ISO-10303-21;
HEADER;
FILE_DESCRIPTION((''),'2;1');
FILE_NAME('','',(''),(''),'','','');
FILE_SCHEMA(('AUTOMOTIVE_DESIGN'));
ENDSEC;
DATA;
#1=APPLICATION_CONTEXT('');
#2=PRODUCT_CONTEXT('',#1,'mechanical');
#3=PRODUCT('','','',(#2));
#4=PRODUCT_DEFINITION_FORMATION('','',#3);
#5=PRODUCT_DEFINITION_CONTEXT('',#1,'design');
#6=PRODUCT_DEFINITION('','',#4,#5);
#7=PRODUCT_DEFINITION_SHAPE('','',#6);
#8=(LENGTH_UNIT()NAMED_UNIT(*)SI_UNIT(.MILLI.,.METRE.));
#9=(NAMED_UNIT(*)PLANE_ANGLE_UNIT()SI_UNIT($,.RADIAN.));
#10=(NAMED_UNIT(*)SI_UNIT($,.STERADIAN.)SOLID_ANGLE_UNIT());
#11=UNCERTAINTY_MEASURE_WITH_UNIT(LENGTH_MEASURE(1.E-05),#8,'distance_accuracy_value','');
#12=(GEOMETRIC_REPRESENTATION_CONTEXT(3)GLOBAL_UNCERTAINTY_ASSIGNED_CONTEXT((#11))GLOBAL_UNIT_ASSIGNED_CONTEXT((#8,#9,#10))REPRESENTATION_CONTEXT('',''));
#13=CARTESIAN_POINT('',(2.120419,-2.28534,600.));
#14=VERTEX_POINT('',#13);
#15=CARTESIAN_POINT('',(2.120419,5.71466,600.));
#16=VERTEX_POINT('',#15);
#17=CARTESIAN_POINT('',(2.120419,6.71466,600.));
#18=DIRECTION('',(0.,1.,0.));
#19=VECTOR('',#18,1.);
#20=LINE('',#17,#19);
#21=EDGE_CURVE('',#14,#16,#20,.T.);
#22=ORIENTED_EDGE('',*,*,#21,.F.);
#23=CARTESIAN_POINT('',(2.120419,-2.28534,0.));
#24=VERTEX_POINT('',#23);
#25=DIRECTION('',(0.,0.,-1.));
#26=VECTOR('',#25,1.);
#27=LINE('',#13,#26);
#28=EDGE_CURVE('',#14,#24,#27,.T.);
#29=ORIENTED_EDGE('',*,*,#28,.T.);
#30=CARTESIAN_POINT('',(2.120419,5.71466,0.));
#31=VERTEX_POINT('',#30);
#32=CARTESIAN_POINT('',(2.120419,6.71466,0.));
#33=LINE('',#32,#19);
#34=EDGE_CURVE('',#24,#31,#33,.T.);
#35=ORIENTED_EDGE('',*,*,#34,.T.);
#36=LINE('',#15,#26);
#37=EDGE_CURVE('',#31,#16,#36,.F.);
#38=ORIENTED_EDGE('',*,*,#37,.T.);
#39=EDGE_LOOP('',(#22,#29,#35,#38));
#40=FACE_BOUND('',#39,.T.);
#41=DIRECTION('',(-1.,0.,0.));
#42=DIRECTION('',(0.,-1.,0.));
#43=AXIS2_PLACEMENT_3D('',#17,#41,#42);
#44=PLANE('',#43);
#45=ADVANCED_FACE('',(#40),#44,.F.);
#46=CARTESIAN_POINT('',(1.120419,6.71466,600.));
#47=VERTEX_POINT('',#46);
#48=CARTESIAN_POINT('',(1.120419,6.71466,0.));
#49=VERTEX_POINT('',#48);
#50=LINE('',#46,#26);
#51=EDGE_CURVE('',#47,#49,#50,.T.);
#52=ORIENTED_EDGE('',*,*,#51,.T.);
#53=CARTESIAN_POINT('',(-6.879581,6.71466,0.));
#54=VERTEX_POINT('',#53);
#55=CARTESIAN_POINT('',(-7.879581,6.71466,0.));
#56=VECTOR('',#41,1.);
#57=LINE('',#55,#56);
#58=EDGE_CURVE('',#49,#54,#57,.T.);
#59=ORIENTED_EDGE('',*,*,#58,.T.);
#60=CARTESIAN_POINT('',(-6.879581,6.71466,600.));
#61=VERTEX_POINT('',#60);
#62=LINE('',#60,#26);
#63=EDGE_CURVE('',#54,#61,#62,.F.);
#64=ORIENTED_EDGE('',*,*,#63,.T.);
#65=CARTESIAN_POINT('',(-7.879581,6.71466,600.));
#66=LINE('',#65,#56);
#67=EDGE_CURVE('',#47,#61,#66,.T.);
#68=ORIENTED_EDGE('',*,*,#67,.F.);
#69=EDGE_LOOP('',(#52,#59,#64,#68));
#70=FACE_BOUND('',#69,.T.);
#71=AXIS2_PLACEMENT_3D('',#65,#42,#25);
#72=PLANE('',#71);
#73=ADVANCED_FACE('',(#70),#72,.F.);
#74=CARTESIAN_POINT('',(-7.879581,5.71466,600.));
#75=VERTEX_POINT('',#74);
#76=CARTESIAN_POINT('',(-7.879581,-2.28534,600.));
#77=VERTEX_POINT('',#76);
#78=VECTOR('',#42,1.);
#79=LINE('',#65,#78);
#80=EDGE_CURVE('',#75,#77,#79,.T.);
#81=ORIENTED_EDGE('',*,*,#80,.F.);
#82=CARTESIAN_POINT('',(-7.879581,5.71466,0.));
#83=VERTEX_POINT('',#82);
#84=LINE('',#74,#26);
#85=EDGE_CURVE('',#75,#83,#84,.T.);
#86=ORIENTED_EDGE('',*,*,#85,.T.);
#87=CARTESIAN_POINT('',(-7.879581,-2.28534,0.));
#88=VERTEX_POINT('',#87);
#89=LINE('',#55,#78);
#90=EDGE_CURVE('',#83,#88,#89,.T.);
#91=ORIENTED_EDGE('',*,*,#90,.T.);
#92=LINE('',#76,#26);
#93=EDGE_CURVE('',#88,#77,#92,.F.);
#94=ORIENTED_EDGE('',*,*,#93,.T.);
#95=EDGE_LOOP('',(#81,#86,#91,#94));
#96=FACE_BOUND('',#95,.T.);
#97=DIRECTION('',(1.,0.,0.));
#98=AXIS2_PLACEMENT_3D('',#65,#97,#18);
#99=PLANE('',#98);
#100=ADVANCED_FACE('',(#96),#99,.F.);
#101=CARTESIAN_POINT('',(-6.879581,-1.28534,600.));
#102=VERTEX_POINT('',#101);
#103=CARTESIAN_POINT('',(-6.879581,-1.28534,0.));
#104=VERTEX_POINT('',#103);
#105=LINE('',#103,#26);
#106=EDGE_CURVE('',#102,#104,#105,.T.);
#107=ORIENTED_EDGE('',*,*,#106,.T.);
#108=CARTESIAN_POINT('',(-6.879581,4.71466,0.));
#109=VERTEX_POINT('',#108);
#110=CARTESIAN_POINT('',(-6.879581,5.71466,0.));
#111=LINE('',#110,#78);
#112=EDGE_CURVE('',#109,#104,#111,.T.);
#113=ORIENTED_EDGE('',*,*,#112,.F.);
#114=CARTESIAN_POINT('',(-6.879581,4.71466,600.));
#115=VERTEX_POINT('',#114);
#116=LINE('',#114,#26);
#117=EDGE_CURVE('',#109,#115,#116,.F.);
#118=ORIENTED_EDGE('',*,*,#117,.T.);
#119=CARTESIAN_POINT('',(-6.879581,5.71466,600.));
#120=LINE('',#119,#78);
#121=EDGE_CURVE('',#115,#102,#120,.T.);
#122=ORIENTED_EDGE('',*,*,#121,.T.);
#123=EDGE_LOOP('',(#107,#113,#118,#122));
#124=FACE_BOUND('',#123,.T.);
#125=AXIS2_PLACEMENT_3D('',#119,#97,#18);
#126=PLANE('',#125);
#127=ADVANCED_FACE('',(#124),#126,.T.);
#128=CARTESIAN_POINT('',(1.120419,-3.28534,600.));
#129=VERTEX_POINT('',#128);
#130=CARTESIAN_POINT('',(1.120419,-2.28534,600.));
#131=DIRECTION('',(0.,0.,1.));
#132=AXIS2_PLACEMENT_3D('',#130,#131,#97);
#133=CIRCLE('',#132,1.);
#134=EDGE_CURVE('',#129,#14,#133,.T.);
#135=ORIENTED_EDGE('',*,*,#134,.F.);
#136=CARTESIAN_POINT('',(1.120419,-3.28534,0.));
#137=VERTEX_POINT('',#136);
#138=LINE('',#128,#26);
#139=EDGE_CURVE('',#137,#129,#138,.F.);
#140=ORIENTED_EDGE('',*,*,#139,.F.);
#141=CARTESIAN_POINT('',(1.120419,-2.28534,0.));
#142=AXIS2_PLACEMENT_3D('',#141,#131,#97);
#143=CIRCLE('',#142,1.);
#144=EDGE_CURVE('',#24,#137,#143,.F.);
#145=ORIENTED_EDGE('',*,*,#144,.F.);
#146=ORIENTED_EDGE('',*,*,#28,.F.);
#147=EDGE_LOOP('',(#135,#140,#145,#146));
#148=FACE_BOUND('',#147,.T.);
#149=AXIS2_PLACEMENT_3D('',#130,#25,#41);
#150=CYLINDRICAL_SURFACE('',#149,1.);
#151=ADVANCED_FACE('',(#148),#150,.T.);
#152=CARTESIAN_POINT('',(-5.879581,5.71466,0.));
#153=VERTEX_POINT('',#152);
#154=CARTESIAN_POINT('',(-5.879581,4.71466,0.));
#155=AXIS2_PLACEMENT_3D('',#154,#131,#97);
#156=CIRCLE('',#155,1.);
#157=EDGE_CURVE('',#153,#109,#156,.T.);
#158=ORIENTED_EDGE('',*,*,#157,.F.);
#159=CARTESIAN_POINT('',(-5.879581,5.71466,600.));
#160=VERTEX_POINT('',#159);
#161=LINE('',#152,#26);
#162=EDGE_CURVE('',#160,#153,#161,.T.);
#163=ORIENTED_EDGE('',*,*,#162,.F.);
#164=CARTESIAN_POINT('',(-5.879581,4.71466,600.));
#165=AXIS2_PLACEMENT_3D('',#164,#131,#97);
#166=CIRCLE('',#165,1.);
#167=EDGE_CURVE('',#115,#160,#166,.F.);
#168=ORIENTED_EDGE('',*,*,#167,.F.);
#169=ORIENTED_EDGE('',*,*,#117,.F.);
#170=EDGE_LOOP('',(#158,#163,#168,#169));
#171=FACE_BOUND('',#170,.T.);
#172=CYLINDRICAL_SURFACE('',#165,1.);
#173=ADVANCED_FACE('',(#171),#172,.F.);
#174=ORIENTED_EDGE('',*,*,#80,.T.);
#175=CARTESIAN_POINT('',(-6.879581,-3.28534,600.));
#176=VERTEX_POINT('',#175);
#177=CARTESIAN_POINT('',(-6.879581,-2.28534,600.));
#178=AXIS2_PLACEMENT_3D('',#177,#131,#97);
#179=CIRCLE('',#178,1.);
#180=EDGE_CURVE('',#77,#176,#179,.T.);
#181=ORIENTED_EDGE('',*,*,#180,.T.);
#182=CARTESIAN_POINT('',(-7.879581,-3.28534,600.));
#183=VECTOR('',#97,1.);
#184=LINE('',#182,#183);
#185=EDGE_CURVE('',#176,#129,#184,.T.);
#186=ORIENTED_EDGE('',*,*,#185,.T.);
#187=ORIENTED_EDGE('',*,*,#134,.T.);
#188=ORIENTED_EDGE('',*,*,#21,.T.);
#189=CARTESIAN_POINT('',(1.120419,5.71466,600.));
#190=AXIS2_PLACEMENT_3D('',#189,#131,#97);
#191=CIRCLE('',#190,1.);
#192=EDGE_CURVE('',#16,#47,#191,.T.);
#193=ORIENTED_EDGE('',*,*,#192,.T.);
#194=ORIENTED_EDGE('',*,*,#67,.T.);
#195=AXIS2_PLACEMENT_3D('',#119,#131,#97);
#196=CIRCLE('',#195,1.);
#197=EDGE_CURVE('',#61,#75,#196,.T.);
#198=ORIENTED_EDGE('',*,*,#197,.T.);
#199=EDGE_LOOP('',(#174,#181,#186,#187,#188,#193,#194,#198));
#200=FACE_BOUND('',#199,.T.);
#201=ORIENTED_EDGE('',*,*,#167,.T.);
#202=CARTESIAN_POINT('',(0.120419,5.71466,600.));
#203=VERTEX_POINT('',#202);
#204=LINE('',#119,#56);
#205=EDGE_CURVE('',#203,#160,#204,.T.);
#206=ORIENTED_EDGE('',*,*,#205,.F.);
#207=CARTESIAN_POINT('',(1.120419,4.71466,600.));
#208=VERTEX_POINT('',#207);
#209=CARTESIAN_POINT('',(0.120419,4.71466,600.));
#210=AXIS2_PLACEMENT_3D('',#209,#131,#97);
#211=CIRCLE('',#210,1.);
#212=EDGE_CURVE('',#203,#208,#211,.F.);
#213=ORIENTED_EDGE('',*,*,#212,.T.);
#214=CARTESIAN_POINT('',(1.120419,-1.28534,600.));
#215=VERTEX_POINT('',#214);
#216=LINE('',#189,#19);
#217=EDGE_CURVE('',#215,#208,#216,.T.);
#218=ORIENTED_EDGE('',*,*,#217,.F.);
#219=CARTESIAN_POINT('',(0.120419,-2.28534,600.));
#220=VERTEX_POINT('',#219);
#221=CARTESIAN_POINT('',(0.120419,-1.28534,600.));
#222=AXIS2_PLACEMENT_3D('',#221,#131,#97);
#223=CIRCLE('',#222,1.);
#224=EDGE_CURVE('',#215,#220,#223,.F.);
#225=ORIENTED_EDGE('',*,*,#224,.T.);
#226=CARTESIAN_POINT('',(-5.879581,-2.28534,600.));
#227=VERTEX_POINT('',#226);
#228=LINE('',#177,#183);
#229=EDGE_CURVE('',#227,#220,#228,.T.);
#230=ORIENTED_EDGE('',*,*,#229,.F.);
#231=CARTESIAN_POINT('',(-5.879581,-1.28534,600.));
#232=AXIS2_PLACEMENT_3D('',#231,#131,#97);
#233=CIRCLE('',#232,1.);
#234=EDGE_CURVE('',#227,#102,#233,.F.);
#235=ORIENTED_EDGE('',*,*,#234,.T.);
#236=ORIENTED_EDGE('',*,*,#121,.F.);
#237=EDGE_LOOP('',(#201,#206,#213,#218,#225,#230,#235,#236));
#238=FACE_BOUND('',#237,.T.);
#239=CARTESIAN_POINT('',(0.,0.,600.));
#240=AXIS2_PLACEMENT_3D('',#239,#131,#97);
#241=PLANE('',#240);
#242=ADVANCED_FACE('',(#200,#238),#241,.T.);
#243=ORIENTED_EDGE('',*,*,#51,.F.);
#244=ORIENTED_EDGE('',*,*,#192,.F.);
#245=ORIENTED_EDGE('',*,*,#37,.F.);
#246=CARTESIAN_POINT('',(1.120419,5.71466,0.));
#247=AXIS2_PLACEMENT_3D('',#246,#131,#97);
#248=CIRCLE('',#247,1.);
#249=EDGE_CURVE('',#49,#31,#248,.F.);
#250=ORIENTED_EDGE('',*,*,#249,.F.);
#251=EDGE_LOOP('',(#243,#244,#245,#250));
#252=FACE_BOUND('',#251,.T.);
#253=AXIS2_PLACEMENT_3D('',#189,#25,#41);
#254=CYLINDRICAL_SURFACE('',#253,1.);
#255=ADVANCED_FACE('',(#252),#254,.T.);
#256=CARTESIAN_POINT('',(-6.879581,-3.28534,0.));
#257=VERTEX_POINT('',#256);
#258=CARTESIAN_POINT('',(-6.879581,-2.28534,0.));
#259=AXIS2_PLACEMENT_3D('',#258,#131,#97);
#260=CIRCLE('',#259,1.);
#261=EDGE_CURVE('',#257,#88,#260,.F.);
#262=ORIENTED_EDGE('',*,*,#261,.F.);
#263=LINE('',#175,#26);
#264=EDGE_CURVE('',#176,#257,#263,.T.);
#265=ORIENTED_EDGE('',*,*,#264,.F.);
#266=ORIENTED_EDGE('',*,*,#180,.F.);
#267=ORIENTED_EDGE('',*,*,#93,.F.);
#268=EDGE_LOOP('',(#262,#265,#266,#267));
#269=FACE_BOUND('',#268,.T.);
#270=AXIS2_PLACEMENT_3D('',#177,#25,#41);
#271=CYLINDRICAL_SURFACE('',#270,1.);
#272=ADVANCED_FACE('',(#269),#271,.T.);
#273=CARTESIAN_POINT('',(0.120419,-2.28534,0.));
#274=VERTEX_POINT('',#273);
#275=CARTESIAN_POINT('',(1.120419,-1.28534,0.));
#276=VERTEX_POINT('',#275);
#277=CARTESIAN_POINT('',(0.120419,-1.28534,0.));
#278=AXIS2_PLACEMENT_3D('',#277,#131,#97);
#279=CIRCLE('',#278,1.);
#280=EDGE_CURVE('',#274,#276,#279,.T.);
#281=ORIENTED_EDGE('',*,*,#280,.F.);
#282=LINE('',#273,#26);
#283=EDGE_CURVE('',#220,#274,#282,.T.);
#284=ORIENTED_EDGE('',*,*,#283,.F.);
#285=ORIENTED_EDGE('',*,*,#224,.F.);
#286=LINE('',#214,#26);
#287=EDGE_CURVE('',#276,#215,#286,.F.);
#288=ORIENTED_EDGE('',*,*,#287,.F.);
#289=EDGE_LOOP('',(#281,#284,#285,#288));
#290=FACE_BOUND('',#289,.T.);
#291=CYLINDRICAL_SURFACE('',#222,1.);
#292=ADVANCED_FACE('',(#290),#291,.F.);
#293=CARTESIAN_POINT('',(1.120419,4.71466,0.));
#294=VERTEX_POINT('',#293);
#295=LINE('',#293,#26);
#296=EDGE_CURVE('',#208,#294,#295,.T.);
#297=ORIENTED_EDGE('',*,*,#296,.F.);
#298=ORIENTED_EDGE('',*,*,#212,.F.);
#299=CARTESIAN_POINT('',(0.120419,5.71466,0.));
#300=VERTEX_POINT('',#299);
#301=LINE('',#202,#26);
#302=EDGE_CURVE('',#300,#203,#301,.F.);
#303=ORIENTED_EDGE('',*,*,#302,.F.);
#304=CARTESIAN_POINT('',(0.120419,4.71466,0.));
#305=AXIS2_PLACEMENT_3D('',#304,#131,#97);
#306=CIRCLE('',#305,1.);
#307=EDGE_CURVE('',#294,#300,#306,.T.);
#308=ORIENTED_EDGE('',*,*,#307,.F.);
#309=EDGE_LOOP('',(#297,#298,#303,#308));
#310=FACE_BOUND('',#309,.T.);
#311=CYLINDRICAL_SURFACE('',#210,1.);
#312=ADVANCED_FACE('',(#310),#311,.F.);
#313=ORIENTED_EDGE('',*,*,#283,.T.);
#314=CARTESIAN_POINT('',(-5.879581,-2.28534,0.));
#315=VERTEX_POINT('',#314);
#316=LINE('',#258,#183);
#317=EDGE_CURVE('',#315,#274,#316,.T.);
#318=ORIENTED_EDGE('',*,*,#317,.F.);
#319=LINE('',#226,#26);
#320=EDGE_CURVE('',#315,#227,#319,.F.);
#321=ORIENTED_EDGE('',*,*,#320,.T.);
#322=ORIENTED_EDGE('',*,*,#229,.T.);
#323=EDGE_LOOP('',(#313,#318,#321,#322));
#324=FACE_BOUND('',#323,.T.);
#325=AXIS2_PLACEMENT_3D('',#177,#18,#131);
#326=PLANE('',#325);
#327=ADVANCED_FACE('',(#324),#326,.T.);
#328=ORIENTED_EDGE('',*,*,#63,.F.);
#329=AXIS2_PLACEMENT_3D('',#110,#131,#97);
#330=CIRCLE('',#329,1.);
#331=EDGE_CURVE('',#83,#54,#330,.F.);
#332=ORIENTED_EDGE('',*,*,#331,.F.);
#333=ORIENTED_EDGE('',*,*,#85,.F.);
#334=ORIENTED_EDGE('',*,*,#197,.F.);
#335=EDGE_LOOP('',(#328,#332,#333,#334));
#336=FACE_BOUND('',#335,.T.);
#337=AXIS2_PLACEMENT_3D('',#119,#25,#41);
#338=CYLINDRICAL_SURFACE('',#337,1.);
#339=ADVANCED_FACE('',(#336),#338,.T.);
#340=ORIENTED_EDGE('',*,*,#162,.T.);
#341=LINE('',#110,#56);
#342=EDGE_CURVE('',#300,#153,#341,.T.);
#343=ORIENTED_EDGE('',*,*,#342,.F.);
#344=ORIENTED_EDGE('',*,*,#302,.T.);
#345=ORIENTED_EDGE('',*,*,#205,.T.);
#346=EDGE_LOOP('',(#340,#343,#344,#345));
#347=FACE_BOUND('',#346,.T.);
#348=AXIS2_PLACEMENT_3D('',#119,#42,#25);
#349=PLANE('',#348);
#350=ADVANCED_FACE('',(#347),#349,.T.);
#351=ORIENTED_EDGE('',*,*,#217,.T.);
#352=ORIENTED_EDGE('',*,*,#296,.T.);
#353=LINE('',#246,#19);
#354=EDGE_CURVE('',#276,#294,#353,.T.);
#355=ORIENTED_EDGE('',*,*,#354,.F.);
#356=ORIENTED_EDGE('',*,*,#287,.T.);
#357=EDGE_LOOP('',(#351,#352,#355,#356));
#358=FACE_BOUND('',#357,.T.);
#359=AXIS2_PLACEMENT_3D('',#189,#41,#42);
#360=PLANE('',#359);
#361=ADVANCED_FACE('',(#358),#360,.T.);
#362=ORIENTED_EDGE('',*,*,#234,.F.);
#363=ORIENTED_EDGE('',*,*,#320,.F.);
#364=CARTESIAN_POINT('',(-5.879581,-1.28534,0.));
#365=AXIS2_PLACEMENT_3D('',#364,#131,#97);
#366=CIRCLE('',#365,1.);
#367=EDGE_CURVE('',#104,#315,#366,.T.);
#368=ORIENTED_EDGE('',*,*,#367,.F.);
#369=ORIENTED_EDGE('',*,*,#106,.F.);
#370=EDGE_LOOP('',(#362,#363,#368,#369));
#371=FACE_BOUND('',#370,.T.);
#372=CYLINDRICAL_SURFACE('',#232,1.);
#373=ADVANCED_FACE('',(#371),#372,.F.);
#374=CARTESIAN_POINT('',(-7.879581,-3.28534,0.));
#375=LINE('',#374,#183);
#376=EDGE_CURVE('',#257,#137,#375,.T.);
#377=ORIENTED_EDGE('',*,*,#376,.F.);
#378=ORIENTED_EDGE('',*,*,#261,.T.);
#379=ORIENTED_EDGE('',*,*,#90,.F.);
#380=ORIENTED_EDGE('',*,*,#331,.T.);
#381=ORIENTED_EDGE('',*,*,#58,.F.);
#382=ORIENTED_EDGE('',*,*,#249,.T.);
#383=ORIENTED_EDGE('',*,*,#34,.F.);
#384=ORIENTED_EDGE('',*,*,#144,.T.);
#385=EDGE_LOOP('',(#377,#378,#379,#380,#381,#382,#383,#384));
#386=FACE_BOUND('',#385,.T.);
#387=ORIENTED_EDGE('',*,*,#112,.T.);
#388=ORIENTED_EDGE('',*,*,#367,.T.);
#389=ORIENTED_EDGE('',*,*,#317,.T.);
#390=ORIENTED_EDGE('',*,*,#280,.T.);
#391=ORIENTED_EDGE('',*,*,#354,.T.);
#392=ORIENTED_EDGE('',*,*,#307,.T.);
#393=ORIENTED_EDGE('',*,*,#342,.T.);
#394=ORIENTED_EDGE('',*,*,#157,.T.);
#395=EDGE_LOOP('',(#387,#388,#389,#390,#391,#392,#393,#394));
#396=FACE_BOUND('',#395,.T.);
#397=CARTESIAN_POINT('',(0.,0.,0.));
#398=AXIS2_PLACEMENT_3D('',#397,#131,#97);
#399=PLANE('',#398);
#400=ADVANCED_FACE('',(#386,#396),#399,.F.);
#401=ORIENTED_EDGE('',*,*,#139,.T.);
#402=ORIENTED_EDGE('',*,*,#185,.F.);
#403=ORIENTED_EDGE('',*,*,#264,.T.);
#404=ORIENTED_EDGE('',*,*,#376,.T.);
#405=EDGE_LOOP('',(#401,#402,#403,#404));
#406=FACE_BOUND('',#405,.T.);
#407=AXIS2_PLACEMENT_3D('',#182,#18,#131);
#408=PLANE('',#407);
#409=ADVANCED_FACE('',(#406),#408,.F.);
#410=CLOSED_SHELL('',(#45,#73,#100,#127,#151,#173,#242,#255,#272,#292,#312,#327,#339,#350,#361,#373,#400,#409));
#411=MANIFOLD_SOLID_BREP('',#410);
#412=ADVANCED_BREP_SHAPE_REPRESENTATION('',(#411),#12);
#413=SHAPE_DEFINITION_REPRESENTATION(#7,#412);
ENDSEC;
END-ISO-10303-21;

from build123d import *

# Parameters (mm, degrees)
SKETCH1_W           = 10
SKETCH1_H           = 10
SKETCH1_W_2         = 8
SKETCH1_H_2         = 8
BOSS_EXTRUDE1_DEPTH = 600
FILLET1_R           = 1
FILLET2_R           = 1


with BuildPart() as part:
    # Sketch1 → Boss-Extrude1 (new body)
    with BuildSketch(Plane.XY):
        with Locations((-2.879581152, 1.714659686)):
            Rectangle(SKETCH1_W, SKETCH1_H)
        with Locations((-2.879581152, 1.714659686)):
            Rectangle(SKETCH1_W_2, SKETCH1_H_2, mode=Mode.SUBTRACT)
    extrude(amount=BOSS_EXTRUDE1_DEPTH)

    # Fillet1
    fillet1_edges = [part.edges().sort_by_distance(p)[0] for p in [
        (-6.879581152, -2.285340314, 300),
        (2.120418848, -3.285340314, 300),
        (-7.879581152, 6.714659686, 300),
        (2.120418848, 6.714659686, 300),
    ]]
    fillet(fillet1_edges, radius=FILLET1_R)

    # Fillet2
    fillet2_edges = [part.edges().sort_by_distance(p)[0] for p in [
        (1.120418848, -2.285340314, 300),
        (1.120418848, 5.714659686, 300),
        (-6.879581152, 5.714659686, 300),
        (-7.879581152, -3.285340314, 300),
    ]]
    fillet(fillet2_edges, radius=FILLET2_R)


solid = part.part
